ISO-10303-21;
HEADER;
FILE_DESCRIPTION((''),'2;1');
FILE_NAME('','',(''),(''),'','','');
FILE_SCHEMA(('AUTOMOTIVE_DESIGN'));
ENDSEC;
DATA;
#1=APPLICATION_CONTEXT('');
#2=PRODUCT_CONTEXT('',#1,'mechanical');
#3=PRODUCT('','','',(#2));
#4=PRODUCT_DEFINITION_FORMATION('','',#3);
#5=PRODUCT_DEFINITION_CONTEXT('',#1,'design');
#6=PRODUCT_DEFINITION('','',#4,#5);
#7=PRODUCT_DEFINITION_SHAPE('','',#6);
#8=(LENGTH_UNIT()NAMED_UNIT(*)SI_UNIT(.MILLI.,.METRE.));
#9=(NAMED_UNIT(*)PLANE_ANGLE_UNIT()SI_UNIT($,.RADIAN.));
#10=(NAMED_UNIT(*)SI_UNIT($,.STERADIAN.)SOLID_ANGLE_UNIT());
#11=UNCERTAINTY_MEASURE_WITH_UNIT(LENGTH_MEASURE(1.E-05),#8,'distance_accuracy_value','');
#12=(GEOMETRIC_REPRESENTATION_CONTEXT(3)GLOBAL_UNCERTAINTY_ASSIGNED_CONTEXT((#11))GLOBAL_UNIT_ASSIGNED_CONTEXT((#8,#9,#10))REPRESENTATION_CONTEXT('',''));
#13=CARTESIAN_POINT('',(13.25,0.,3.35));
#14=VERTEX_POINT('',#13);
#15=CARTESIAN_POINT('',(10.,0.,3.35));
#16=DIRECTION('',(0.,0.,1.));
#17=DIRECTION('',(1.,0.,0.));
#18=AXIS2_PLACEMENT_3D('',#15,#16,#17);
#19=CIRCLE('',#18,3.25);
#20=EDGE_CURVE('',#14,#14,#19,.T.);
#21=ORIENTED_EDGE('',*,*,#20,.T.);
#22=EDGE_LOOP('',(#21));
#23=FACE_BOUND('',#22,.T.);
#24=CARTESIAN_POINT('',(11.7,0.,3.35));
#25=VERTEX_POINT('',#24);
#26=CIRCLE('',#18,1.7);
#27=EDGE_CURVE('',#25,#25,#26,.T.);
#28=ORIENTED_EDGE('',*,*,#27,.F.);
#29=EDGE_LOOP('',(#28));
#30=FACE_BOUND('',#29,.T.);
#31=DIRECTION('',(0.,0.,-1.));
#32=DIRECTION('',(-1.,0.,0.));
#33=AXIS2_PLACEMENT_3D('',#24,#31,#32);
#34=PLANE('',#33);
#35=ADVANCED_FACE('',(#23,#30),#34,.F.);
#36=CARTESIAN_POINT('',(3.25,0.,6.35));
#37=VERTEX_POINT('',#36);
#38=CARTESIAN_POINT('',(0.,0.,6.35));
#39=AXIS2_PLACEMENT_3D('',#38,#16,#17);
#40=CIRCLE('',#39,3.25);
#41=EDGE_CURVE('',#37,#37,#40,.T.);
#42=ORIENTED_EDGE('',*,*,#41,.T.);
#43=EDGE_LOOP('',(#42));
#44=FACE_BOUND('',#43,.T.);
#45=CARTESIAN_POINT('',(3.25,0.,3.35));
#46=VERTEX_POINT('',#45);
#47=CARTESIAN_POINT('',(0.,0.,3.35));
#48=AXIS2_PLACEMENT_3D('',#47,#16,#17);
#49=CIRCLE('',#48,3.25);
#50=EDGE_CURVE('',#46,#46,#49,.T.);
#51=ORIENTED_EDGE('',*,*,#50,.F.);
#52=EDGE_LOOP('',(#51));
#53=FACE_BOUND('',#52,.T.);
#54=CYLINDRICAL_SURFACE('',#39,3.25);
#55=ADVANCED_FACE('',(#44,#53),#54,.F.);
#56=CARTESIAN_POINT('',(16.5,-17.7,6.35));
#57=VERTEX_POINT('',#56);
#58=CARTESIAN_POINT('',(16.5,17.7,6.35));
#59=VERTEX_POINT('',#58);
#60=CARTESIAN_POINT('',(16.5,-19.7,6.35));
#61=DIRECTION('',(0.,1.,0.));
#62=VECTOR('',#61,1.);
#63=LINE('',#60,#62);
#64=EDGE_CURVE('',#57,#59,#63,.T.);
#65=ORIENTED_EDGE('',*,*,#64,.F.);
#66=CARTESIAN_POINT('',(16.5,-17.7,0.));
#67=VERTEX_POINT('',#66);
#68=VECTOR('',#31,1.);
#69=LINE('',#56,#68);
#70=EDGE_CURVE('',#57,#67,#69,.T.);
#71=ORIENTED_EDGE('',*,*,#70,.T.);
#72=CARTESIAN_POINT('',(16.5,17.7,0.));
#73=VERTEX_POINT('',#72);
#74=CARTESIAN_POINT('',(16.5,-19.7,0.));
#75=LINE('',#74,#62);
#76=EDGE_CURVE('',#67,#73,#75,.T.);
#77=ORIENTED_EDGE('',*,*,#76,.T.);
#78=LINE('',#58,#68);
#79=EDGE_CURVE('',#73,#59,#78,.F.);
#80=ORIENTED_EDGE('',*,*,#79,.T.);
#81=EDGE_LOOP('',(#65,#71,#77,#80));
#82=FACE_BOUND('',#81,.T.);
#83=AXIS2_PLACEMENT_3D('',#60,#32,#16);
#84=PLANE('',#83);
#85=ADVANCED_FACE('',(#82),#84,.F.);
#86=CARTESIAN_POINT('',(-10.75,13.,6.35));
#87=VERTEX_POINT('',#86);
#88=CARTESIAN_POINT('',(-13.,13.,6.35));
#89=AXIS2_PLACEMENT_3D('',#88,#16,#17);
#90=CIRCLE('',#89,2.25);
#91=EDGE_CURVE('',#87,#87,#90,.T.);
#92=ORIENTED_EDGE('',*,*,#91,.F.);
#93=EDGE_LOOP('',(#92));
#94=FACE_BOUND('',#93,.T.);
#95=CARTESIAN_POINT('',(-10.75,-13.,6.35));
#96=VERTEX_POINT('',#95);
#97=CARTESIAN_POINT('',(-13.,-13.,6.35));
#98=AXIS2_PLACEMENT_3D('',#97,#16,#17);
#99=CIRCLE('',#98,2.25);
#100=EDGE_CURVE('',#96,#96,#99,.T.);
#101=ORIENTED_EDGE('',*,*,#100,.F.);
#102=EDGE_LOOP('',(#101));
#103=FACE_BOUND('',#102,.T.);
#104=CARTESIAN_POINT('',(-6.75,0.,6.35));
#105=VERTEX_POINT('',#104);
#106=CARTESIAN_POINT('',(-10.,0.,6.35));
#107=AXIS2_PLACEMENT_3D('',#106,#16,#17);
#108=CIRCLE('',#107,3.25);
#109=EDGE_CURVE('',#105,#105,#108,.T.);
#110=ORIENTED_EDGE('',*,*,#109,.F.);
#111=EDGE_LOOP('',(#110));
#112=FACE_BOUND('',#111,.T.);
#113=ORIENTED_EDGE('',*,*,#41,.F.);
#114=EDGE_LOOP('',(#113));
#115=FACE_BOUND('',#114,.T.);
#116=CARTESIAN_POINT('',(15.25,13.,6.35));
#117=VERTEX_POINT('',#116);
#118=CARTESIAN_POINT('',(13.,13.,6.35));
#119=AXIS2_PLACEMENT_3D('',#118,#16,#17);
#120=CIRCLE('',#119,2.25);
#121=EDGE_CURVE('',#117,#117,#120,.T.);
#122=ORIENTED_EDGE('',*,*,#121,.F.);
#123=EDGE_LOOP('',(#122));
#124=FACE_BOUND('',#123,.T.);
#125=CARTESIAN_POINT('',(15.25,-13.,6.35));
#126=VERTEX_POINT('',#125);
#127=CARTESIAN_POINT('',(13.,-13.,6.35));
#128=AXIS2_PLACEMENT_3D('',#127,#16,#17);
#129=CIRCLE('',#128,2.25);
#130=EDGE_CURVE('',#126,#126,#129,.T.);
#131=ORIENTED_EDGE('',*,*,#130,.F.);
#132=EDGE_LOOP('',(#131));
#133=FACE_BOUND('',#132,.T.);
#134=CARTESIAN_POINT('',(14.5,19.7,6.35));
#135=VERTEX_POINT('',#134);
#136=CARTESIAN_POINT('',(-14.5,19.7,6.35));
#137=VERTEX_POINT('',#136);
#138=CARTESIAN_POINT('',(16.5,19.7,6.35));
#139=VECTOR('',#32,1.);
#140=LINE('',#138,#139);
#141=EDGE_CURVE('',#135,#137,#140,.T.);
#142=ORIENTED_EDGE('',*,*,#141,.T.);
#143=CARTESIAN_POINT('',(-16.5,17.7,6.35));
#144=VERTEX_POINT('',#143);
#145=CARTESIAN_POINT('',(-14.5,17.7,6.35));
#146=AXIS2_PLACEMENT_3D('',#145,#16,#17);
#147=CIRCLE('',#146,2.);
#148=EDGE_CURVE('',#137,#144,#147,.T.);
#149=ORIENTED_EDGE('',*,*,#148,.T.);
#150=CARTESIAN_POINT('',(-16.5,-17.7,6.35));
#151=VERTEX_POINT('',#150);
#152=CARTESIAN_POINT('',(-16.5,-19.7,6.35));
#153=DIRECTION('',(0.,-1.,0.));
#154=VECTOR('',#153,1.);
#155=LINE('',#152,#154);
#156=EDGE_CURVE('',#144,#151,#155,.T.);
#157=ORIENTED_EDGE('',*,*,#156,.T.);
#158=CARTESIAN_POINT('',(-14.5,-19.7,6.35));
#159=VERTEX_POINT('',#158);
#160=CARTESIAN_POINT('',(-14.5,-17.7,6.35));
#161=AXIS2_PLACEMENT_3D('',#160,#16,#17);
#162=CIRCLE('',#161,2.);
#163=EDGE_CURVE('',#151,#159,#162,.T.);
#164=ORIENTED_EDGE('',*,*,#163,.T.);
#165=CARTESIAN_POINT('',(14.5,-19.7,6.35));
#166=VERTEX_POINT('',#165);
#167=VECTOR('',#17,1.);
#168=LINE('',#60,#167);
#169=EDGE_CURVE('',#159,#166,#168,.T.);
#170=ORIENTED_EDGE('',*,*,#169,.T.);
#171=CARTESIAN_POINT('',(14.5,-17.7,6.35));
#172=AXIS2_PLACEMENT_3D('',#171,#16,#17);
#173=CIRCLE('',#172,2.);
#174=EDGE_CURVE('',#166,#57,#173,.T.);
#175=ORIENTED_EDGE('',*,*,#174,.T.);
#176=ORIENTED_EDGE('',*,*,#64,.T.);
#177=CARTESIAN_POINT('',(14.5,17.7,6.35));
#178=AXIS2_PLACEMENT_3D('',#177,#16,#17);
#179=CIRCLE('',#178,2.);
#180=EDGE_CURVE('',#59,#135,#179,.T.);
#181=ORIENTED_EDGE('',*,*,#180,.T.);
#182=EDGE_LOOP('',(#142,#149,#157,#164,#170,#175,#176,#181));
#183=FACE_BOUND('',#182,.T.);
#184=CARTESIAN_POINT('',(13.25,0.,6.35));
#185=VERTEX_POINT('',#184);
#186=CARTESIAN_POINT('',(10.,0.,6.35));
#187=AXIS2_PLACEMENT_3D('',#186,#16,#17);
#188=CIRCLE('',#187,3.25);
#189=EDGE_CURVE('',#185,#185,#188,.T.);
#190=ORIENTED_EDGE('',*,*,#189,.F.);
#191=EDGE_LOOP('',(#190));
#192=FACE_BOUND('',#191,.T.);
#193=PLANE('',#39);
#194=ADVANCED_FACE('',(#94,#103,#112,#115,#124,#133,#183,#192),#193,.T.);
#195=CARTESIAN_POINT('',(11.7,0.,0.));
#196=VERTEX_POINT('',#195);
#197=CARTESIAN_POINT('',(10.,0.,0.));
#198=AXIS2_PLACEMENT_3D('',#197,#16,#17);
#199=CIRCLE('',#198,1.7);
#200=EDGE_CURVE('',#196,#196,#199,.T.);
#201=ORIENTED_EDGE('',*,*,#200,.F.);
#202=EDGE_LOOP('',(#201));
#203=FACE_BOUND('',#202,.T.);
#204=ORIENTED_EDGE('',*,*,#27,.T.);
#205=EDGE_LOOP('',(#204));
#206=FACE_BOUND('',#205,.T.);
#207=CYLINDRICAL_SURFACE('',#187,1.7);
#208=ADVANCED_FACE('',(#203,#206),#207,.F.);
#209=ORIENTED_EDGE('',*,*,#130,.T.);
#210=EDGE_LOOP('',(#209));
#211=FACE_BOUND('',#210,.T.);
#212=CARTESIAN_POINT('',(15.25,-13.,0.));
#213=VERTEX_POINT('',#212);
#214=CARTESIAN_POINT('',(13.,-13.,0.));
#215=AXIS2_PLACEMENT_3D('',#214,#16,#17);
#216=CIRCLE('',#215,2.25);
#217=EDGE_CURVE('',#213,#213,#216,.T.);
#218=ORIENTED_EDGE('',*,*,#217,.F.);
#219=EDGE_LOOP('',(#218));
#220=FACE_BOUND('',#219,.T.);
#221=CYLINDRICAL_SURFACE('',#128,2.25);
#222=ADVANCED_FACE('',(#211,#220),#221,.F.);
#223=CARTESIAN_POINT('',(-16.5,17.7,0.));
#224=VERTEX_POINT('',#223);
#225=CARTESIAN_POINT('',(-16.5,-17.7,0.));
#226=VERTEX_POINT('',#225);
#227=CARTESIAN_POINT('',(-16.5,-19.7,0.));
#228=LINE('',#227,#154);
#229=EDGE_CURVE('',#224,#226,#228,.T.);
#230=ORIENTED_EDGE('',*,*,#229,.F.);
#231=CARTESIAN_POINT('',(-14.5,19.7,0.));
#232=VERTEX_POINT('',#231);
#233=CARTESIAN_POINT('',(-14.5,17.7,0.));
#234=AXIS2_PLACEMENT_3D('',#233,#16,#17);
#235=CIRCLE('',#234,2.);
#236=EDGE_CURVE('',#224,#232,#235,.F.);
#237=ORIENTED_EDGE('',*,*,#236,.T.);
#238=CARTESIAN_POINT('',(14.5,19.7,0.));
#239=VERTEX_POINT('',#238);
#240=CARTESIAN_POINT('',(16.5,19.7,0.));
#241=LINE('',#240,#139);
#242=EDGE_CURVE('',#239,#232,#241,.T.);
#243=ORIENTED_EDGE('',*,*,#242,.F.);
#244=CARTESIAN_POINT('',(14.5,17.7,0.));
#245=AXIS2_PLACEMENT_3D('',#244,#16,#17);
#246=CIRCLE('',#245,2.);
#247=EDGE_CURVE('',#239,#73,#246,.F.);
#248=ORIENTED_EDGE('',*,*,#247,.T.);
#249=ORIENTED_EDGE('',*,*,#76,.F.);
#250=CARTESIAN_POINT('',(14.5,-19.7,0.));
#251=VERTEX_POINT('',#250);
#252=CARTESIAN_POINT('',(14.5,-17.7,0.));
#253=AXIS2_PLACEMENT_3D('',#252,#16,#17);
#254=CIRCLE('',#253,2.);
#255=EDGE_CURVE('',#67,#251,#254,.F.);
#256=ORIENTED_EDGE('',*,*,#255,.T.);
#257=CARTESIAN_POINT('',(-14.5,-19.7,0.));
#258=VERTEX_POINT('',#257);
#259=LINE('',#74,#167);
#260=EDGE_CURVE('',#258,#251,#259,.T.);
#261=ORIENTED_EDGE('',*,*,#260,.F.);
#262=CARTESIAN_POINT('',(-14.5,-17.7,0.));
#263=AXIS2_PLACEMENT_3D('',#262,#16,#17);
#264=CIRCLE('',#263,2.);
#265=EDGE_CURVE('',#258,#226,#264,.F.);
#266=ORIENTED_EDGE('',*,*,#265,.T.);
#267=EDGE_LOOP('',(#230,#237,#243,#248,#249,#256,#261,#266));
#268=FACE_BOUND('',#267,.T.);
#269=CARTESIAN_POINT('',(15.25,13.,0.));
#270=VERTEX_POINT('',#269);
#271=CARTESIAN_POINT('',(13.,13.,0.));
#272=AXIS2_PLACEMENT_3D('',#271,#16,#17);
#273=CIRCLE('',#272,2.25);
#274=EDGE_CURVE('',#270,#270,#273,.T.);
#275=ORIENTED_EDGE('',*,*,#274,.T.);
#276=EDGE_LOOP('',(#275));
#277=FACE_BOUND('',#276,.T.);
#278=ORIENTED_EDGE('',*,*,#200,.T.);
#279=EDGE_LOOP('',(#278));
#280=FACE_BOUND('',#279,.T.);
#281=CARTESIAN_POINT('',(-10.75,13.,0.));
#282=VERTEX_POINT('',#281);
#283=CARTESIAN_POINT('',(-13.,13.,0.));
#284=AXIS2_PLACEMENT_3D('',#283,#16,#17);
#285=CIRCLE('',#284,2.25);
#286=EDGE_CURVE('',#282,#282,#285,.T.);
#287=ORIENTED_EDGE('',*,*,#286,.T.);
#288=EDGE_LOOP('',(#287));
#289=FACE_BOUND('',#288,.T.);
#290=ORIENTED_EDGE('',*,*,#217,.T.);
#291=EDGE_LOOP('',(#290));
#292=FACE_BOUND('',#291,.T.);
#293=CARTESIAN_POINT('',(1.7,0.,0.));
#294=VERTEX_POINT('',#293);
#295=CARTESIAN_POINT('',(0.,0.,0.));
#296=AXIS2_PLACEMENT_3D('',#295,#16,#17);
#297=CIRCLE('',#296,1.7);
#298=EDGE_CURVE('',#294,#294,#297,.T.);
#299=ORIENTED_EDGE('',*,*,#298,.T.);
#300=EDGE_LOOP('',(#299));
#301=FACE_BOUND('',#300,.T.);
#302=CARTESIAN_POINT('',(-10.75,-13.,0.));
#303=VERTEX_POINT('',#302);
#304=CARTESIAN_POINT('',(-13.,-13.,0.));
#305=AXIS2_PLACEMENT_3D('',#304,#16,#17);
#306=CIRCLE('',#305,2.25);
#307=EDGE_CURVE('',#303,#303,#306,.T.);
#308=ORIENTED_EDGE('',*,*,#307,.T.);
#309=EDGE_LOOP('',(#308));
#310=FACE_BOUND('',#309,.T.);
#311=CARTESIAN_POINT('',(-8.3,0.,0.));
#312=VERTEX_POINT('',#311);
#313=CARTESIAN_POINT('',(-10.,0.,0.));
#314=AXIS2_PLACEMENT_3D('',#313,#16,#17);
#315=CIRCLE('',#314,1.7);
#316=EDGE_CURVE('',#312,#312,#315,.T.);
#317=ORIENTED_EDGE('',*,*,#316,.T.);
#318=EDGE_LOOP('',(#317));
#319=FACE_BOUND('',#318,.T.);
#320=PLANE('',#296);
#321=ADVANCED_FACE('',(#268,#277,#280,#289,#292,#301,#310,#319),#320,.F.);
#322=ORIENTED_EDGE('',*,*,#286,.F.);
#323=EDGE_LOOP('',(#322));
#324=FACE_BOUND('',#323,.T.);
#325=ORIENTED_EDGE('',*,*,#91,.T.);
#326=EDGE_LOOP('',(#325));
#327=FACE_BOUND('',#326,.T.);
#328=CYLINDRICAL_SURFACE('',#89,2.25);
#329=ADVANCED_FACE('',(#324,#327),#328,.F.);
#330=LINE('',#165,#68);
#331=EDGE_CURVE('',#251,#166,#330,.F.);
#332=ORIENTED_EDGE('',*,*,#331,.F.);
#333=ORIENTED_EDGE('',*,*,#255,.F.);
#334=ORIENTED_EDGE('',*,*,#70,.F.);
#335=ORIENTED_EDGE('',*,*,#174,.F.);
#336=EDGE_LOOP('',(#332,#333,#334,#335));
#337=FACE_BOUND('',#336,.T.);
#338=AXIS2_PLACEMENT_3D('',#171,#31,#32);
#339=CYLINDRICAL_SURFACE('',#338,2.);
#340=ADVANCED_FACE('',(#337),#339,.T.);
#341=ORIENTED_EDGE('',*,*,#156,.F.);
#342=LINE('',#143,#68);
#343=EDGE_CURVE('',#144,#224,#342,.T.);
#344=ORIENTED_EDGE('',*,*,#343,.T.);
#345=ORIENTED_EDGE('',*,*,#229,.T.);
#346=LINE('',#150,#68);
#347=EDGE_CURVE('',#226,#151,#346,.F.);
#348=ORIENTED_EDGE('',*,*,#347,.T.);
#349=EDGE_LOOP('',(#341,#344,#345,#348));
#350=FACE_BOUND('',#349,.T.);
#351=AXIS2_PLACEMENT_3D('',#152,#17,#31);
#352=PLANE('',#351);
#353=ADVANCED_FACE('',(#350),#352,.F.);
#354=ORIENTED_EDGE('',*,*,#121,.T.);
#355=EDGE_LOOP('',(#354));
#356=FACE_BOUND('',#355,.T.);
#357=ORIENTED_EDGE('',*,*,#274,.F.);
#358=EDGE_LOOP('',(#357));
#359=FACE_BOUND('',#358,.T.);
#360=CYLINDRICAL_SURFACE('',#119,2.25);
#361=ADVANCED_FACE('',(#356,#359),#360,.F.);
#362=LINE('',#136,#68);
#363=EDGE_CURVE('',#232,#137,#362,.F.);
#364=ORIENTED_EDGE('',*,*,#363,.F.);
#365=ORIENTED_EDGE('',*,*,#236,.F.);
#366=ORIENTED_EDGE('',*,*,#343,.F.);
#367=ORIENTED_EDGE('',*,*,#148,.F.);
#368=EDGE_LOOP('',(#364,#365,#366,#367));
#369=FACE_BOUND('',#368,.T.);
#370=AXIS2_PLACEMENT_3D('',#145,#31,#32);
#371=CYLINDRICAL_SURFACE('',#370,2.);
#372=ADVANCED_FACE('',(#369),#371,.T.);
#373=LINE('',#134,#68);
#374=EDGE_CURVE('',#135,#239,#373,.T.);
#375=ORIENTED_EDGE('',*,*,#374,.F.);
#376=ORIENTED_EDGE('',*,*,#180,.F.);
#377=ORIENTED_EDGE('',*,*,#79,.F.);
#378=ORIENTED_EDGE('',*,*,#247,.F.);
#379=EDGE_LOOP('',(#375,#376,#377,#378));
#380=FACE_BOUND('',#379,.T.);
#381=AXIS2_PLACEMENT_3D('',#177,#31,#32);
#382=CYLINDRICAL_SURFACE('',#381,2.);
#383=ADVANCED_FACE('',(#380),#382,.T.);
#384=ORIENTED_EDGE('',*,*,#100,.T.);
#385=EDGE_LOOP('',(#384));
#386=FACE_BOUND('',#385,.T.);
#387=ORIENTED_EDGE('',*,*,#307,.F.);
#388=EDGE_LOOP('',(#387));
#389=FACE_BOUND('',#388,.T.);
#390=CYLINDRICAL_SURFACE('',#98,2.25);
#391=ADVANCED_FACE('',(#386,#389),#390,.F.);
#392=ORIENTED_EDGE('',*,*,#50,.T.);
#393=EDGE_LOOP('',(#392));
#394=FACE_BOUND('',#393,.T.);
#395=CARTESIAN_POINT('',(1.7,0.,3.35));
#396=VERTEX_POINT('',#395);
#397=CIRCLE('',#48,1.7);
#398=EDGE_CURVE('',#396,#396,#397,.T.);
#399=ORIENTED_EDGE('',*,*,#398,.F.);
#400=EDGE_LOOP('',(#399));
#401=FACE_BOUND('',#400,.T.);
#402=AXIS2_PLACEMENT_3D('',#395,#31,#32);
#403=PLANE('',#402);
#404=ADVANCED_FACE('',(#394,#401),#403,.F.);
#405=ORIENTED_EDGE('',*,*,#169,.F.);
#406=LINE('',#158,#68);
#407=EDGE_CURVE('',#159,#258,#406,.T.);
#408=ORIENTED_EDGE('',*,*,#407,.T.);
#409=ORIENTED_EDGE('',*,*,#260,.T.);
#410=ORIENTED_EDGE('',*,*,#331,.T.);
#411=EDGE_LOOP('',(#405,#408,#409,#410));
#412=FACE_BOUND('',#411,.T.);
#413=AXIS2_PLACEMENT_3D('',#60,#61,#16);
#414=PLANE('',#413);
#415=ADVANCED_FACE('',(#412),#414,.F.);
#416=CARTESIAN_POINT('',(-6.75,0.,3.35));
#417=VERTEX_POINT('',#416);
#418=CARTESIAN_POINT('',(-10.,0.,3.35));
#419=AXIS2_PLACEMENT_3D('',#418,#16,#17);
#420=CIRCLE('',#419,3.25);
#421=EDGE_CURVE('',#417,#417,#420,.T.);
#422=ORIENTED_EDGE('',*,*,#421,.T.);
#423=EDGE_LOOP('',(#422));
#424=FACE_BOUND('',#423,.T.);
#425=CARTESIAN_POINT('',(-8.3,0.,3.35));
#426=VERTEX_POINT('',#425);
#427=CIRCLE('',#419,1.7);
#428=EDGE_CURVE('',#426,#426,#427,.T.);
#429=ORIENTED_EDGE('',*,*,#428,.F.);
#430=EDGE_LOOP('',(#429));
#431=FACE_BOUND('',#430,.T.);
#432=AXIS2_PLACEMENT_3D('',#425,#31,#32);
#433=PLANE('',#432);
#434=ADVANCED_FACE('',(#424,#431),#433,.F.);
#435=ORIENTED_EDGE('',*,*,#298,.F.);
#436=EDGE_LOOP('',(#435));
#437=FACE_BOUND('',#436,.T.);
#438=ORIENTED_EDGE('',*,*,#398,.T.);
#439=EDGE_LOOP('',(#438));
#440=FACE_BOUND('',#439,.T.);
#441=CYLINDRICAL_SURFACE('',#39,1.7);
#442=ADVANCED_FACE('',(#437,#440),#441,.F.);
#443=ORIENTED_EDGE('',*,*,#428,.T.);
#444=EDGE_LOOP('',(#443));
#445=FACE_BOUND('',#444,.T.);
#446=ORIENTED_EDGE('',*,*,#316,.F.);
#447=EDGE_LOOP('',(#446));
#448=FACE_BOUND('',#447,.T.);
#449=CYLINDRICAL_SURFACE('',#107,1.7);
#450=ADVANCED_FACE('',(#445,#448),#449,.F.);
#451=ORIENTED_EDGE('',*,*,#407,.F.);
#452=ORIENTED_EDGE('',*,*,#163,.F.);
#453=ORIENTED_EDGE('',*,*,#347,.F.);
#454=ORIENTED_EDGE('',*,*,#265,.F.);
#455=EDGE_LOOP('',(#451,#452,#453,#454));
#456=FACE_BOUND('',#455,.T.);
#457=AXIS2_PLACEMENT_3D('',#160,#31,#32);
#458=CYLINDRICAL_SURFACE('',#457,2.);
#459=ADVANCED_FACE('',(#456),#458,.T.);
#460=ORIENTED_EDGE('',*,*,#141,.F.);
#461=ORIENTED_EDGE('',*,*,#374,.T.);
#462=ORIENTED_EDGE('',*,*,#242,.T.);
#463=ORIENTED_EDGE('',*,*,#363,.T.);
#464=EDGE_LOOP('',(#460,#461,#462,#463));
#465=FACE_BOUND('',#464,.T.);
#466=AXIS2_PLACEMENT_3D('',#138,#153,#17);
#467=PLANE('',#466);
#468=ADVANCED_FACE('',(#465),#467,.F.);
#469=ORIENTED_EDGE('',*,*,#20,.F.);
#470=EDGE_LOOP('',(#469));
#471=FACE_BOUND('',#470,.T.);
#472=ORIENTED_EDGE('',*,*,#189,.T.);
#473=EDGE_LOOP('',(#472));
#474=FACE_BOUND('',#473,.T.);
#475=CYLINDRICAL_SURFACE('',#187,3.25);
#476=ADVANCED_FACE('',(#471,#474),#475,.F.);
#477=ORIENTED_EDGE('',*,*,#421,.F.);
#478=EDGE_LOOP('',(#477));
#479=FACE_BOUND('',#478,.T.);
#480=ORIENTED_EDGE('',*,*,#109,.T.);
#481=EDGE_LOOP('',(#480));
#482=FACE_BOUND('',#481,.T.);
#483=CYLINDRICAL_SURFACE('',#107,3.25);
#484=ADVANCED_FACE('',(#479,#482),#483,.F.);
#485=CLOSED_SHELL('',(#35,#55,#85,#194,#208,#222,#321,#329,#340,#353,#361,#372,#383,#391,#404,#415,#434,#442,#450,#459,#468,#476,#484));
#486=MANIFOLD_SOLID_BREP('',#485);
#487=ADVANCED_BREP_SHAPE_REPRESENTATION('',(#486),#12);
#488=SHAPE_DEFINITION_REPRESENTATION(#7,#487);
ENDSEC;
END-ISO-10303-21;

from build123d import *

# Parameters (mm, degrees)
SKETCH1_W                      = 33
SKETCH1_H                      = 39.4
BOSS_EXTRUDE1_DEPTH            = 6.35
CBORE_FOR_M3_SHCS1_D           = 3.4
CBORE_FOR_M3_SHCS1_CBORE_D     = 6.5
CBORE_FOR_M3_SHCS1_CBORE_DEPTH = 3
M4_CLEARANCE_HOLE1_D           = 4.5
FILLET1_R                      = 2


with BuildPart() as part:
    # Sketch1 → Boss-Extrude1 (new body)
    with BuildSketch(Plane.XY):
        Rectangle(SKETCH1_W, SKETCH1_H)
    extrude(amount=BOSS_EXTRUDE1_DEPTH)

    # CBORE for M3 SHCS1 (through all)
    with Locations(Plane.XY.offset(6.35)):
        with Locations((-10, 0), (0, 0), (10, 0)):
            CounterBoreHole(CBORE_FOR_M3_SHCS1_D / 2, CBORE_FOR_M3_SHCS1_CBORE_D / 2, CBORE_FOR_M3_SHCS1_CBORE_DEPTH)

    # M4 Clearance Hole1 (through all)
    with Locations(Plane.XY.offset(6.35)):
        with Locations((-13, 13), (-13, -13), (13, -13), (13, 13)):
            Hole(M4_CLEARANCE_HOLE1_D / 2)

    # Fillet1
    fillet1_edges = [part.edges().sort_by_distance(p)[0] for p in [
        (-16.5, 19.7, 3.175),
        (16.5, 19.7, 3.175),
        (16.5, -19.7, 3.175),
        (-16.5, -19.7, 3.175),
    ]]
    fillet(fillet1_edges, radius=FILLET1_R)


solid = part.part
